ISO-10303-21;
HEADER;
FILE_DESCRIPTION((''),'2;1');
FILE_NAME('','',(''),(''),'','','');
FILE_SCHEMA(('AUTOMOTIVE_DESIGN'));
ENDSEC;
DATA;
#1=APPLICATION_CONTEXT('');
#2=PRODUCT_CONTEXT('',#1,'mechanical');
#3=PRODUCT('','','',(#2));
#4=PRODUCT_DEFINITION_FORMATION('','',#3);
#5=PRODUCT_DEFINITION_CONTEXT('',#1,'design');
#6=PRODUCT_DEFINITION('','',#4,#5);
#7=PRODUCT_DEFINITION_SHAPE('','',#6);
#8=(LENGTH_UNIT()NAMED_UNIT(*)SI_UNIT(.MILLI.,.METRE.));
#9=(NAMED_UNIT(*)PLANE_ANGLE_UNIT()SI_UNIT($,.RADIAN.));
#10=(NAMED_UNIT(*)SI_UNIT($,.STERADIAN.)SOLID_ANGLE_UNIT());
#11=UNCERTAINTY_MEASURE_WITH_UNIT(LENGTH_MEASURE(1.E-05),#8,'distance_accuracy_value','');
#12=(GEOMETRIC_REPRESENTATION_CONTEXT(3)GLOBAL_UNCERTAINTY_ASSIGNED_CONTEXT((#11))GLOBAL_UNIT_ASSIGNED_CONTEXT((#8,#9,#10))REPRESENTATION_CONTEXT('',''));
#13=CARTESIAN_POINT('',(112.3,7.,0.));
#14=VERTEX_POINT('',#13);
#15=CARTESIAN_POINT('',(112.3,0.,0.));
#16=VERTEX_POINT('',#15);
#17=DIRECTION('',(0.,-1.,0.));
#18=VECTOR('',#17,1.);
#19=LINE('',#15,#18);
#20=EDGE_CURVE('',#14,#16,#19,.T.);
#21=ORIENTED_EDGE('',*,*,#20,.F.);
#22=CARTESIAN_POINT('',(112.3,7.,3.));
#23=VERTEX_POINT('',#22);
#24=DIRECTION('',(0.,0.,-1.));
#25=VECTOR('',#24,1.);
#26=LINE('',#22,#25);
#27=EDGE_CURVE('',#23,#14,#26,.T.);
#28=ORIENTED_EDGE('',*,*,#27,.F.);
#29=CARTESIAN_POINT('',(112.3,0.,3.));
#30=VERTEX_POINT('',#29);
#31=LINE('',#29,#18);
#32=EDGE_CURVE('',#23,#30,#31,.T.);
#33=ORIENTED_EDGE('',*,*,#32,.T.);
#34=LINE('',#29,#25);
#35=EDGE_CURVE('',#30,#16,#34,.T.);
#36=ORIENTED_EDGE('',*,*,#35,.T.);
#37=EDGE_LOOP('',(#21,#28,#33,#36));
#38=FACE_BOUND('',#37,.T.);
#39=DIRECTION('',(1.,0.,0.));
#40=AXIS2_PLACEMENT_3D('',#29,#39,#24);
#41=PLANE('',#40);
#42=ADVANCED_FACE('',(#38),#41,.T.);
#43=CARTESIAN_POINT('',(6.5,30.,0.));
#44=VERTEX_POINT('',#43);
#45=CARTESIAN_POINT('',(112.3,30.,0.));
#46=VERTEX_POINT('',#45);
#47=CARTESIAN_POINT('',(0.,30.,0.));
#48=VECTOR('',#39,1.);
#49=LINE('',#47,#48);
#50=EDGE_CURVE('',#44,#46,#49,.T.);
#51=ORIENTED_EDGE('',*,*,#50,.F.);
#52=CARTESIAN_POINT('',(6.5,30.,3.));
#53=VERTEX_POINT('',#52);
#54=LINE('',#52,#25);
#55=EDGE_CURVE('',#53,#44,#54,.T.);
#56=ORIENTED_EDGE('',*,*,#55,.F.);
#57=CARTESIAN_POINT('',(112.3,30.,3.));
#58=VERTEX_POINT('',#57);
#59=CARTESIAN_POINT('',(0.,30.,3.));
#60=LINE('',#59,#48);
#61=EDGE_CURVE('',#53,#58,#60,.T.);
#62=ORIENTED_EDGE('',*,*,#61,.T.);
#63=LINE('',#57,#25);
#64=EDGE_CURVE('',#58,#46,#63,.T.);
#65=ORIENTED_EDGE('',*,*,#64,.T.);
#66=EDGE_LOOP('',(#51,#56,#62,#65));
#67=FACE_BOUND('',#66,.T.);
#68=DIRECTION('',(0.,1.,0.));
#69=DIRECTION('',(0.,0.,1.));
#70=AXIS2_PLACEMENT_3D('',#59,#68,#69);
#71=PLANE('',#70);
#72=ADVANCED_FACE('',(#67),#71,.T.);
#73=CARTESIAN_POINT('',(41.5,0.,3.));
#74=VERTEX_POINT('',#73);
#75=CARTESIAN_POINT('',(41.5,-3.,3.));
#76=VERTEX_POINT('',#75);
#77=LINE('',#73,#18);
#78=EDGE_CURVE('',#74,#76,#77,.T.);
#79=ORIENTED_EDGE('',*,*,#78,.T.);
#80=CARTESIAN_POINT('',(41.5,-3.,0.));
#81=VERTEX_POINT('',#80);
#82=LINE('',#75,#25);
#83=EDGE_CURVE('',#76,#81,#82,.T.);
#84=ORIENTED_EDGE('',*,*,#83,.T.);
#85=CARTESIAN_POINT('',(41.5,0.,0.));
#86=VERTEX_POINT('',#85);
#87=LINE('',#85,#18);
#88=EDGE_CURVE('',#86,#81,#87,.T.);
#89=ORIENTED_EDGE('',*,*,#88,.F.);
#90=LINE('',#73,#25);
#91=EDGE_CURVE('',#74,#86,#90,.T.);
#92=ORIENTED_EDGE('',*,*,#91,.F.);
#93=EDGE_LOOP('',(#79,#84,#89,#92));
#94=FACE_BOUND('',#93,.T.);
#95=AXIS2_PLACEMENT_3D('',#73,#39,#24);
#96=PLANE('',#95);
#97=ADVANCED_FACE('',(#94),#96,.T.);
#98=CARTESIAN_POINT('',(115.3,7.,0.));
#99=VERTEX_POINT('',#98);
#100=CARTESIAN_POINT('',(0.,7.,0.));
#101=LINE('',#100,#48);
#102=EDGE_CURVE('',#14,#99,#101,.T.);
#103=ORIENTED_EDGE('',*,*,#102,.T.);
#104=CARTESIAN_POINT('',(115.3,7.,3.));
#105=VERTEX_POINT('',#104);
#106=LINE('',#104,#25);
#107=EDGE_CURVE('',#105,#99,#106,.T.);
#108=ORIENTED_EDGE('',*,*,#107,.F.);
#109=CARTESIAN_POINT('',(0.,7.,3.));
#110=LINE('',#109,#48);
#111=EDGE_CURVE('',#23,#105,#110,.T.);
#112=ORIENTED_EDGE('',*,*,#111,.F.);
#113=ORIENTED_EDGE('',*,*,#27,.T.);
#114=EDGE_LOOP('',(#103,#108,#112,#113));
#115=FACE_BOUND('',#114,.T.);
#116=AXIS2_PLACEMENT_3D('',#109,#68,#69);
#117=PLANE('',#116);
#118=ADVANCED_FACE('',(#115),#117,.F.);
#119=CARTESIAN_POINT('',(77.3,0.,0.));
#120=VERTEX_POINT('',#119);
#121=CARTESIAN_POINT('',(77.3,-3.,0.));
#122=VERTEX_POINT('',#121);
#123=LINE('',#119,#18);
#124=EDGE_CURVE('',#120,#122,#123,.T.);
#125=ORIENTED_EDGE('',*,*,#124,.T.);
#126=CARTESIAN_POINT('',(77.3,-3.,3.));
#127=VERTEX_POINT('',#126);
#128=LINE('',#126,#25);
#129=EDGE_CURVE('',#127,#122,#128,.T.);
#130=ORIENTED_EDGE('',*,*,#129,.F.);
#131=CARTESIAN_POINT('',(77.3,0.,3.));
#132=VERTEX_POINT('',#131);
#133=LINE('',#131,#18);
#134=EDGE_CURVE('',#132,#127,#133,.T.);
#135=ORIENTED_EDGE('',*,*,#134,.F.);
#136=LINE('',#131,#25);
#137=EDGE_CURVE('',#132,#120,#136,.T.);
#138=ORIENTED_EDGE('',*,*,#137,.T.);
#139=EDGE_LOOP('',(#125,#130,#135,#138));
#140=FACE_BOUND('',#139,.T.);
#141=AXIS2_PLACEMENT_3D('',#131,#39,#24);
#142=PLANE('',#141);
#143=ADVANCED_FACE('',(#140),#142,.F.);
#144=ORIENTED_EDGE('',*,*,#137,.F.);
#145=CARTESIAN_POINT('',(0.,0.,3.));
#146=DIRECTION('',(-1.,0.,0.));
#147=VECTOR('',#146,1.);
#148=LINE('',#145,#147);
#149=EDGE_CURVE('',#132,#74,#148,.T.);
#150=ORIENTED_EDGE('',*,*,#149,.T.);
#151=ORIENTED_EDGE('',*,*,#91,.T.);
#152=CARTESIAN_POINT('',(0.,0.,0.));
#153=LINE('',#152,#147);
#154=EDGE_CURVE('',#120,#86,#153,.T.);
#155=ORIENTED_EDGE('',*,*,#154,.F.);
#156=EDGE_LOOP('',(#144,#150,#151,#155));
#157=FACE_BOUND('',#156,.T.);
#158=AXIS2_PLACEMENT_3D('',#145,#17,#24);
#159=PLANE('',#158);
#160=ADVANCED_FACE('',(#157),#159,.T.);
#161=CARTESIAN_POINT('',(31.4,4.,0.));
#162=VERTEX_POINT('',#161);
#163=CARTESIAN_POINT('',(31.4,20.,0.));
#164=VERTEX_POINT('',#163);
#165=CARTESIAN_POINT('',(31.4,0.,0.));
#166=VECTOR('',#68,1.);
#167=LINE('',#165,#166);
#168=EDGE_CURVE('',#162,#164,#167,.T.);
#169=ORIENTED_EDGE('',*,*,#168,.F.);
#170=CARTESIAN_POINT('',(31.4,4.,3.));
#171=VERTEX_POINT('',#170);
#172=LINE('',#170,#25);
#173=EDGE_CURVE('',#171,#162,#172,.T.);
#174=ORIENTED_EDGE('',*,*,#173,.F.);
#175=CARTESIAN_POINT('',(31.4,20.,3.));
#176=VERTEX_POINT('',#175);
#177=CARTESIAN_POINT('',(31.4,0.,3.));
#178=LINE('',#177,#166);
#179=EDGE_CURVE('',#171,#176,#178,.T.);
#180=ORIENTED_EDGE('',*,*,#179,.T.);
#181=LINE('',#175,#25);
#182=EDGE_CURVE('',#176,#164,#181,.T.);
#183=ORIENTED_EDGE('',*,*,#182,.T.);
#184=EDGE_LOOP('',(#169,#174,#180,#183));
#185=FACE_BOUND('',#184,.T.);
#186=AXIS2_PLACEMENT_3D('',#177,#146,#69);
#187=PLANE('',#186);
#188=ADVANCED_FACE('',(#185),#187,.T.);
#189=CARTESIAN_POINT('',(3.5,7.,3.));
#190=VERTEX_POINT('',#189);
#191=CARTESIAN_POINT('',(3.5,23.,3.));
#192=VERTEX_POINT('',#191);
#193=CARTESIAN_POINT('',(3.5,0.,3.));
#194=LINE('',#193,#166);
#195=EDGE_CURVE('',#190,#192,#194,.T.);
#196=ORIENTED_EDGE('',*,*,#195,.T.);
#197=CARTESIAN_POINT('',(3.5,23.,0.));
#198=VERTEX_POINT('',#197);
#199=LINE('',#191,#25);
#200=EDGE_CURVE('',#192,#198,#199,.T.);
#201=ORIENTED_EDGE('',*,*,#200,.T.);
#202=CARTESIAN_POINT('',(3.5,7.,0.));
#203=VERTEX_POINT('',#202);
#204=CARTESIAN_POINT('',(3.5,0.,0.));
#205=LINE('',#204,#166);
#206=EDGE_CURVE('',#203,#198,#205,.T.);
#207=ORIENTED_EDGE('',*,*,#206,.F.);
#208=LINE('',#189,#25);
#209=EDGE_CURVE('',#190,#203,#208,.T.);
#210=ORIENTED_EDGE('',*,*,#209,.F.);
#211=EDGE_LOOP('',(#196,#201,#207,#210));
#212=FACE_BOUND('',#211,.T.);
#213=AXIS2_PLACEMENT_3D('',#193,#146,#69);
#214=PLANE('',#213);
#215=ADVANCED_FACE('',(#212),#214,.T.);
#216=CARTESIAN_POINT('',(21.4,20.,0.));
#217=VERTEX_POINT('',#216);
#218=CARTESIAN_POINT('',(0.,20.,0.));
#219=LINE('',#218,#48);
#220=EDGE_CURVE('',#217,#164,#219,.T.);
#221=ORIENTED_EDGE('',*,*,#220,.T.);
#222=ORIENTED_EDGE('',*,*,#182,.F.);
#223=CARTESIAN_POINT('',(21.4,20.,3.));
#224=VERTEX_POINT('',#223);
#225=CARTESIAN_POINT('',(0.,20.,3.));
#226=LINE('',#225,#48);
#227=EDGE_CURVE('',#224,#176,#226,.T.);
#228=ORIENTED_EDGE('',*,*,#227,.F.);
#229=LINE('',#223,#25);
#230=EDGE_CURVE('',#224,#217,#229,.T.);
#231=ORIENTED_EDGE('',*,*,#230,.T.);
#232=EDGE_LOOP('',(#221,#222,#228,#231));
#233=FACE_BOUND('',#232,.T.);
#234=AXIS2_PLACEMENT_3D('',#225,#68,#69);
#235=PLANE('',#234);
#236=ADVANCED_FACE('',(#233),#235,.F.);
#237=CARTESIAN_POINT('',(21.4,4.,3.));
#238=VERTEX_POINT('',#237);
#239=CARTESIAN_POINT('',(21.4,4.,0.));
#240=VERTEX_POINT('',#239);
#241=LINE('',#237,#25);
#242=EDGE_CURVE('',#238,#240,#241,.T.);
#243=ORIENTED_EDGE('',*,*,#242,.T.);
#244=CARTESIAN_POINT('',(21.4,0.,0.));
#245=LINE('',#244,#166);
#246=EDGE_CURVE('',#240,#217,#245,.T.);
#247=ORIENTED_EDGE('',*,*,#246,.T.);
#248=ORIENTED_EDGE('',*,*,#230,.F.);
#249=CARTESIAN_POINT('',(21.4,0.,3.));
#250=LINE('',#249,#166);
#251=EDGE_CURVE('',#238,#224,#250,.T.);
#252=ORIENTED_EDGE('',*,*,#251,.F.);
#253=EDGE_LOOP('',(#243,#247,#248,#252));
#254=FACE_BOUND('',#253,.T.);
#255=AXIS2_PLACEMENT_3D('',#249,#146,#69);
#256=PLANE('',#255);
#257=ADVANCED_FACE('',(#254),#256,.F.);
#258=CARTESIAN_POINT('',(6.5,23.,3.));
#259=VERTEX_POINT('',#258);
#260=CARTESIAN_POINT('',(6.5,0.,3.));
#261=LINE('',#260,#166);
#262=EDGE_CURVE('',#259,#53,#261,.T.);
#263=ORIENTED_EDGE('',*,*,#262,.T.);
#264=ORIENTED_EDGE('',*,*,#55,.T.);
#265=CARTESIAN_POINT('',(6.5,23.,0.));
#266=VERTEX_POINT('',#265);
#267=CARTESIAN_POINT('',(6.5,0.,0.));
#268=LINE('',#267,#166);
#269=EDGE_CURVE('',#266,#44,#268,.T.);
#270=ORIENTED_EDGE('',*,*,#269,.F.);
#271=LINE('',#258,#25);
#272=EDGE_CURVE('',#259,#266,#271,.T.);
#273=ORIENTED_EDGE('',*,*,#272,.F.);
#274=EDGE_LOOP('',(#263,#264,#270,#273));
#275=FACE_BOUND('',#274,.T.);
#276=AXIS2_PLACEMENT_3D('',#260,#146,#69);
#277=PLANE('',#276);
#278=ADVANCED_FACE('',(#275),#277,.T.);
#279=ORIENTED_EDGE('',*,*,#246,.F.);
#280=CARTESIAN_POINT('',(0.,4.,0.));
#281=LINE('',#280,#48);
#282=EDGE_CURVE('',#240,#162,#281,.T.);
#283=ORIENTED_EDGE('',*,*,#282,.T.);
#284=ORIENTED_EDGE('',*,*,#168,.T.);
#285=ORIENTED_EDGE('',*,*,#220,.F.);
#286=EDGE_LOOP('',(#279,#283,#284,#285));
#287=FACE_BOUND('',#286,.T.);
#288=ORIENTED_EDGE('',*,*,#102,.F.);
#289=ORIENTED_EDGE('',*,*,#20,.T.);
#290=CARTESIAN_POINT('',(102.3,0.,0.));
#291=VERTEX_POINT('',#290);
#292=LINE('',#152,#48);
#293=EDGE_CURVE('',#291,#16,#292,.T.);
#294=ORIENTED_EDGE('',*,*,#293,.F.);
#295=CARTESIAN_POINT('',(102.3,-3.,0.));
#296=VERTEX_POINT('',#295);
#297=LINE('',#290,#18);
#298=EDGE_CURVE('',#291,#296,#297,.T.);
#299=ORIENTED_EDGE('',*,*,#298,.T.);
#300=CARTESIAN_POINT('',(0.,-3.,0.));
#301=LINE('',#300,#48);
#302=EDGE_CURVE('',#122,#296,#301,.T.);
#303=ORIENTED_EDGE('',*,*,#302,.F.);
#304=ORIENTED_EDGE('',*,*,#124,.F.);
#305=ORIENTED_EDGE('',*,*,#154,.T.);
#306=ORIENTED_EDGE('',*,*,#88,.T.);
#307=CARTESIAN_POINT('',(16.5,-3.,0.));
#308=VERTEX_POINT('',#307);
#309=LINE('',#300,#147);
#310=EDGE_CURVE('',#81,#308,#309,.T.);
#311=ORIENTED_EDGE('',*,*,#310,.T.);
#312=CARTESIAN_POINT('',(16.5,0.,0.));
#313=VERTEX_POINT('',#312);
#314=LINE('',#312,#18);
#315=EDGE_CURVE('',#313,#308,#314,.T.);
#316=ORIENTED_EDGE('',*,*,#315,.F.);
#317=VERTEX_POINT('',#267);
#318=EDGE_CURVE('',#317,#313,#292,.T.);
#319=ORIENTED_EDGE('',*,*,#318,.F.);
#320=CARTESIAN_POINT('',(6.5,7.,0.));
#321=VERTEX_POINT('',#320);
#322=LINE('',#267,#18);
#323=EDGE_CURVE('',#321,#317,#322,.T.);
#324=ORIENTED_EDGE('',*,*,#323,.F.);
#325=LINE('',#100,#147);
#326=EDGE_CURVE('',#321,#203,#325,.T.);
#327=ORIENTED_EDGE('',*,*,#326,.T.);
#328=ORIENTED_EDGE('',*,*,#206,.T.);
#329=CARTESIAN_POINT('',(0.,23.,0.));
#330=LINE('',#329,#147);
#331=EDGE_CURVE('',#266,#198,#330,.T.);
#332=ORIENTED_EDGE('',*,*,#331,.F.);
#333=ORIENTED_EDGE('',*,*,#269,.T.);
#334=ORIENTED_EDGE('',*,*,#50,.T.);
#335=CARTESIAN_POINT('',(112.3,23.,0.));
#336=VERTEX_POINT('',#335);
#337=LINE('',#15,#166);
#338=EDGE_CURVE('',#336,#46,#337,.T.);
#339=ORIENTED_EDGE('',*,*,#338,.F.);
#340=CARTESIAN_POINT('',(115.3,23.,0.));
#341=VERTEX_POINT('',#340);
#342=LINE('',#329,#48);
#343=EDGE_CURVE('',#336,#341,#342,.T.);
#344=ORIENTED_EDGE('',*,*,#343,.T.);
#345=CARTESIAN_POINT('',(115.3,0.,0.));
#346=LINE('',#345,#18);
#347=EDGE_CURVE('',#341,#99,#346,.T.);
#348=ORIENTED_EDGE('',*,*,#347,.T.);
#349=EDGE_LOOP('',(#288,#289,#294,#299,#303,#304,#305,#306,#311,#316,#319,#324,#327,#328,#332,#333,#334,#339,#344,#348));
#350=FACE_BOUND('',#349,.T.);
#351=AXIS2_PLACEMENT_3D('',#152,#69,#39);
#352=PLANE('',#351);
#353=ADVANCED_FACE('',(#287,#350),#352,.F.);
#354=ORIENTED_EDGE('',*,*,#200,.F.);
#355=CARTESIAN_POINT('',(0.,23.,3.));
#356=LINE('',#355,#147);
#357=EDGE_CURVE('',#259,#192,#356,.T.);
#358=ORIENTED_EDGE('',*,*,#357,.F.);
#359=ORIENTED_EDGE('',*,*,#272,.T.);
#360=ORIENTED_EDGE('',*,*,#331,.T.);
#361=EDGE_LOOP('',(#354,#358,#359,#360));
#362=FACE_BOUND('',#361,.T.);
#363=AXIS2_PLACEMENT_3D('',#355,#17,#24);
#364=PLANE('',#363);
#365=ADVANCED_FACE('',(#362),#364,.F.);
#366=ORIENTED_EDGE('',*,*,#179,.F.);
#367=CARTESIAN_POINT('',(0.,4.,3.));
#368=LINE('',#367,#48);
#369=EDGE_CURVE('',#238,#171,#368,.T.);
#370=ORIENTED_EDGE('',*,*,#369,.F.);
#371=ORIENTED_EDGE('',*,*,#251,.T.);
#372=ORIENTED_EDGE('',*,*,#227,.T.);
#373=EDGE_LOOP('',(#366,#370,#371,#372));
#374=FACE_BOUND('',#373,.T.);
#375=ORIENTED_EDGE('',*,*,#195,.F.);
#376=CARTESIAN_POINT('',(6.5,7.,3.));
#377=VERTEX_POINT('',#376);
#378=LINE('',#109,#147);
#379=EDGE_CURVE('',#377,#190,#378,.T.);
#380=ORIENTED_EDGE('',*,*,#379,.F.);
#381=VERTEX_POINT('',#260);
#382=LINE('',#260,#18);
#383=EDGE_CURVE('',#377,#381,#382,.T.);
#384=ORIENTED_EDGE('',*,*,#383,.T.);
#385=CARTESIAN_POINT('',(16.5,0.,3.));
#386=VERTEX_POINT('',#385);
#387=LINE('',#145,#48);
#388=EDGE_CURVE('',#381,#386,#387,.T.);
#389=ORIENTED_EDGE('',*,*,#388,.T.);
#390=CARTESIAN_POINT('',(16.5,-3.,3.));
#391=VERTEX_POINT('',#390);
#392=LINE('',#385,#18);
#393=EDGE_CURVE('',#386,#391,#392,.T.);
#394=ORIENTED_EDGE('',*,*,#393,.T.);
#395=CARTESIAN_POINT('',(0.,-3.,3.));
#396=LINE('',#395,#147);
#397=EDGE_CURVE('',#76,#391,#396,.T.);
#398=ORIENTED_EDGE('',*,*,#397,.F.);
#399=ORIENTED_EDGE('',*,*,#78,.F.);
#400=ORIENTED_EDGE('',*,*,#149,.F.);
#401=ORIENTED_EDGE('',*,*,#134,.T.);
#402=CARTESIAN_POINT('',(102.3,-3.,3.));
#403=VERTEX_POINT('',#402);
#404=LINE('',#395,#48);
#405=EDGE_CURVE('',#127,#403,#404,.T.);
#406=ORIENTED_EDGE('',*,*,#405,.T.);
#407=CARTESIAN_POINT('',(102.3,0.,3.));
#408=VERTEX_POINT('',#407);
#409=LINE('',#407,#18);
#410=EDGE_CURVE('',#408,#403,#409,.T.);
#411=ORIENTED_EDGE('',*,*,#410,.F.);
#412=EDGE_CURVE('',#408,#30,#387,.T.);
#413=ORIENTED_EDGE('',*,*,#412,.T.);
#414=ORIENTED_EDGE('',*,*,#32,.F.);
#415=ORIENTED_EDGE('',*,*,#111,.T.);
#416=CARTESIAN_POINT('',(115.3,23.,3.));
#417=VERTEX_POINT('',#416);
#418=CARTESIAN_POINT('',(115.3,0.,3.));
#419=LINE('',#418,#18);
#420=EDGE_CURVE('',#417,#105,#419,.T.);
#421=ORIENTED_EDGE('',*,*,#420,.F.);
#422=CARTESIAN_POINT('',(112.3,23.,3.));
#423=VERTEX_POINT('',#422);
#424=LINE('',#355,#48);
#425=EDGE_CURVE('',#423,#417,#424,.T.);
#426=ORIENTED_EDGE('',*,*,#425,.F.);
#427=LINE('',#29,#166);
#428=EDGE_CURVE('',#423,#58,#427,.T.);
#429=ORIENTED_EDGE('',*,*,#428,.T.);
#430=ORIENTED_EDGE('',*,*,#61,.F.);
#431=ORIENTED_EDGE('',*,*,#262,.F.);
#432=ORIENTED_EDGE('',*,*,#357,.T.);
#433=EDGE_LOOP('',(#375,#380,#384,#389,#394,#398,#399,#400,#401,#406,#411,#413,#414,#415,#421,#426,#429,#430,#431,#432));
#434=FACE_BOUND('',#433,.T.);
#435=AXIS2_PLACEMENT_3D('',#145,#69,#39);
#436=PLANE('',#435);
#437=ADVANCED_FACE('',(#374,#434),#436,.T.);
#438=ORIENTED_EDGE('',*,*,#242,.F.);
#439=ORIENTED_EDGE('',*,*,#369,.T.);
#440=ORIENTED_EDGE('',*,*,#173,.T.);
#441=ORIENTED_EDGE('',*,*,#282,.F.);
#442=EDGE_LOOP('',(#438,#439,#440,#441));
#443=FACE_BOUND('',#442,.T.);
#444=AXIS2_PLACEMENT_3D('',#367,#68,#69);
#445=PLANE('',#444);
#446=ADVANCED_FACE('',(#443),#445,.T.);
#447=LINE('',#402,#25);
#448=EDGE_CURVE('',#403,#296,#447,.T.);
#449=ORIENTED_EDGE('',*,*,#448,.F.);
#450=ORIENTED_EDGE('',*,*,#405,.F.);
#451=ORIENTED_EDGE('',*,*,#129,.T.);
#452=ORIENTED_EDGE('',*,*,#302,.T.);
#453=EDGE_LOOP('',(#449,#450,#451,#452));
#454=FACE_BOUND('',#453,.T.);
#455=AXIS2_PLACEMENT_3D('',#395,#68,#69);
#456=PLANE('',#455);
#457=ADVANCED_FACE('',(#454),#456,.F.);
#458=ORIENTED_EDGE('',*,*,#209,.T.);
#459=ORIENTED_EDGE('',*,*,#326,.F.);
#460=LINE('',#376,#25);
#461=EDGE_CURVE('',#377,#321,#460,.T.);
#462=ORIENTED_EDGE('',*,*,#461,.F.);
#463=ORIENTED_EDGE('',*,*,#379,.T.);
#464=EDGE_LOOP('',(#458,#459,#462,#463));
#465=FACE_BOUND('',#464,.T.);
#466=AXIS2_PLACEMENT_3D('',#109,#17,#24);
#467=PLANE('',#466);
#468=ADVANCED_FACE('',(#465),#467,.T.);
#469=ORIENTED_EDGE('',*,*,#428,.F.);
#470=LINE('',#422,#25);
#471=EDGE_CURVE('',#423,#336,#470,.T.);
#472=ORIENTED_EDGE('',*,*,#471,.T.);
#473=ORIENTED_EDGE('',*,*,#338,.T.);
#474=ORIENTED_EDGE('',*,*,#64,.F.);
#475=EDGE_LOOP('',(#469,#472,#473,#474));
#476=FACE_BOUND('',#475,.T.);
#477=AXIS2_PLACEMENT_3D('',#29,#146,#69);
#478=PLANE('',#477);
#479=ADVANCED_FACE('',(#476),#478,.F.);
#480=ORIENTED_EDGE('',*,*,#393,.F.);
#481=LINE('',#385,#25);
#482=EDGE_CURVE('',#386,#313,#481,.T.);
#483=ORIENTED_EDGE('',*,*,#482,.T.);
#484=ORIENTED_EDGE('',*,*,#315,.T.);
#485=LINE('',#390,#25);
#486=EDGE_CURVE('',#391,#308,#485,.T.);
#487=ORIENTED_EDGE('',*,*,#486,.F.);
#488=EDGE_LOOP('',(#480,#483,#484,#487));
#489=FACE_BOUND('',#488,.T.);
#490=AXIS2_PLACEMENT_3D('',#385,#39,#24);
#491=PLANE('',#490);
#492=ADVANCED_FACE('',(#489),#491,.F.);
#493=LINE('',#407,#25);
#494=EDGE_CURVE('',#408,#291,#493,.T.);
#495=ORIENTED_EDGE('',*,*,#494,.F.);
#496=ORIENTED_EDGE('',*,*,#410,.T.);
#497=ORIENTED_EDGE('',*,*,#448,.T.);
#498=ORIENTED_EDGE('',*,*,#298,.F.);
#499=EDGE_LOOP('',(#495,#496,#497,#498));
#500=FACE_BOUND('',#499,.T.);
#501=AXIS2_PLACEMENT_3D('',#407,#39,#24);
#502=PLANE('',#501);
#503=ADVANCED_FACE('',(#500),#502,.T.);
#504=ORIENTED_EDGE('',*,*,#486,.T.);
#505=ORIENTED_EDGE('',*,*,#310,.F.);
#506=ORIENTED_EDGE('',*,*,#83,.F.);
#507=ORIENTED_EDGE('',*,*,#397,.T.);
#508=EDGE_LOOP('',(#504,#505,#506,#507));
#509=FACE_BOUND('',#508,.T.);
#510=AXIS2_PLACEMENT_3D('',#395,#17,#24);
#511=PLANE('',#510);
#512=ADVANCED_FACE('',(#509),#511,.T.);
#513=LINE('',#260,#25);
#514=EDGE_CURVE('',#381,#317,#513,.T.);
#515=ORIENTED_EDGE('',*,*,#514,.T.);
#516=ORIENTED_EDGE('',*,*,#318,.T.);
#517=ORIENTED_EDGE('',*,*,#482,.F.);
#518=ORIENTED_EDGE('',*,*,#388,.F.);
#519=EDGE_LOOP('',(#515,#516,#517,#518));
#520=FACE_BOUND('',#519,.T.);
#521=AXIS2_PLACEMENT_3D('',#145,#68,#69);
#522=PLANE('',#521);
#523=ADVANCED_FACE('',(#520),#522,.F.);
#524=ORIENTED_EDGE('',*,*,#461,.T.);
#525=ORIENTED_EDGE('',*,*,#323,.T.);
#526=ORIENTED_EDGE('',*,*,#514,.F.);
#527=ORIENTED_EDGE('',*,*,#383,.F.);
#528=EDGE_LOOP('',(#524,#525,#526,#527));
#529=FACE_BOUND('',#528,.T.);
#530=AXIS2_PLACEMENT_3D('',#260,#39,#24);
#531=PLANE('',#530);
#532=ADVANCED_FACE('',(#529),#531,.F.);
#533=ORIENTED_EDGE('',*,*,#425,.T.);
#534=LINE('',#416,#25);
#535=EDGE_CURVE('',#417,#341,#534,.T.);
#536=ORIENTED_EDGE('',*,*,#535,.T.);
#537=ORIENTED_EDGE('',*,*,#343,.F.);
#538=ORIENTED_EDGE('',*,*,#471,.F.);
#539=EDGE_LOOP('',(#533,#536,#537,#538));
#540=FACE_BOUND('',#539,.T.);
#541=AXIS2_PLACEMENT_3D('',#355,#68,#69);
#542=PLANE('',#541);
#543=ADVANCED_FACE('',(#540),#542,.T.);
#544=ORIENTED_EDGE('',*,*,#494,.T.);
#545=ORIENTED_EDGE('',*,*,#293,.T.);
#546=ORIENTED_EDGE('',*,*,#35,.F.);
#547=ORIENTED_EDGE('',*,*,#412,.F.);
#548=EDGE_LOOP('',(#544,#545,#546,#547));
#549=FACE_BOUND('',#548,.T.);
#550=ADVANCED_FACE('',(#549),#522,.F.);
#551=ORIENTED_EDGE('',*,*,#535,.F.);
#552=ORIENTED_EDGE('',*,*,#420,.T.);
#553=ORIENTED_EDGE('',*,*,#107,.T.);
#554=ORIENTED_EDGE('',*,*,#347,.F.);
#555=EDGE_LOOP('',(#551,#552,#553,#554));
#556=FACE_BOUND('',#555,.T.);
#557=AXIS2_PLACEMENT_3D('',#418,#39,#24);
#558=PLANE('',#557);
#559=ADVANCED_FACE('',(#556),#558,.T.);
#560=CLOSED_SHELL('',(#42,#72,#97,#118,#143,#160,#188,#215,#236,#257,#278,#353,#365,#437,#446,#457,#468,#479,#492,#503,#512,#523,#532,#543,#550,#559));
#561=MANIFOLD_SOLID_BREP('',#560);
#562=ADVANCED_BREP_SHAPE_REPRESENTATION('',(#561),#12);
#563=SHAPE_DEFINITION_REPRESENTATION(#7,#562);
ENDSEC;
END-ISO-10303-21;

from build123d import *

# Parameters (mm, degrees)
EXTRUDE_1_DEPTH = 3


with BuildPart() as part:
    # 草图2 → 凸台-拉伸1 (new body)
    with BuildSketch(Plane.XY):
        Polygon((41.5, 0), (59.4, 0), (77.3, 0), (77.3, -3), (102.3, -3), (102.3, 0), (112.3, 0), (112.3, 7), (115.3, 7), (115.3, 23), (112.3, 23), (112.3, 30), (6.5, 30), (6.5, 23), (3.5, 23), (3.5, 7), (6.5, 7), (6.5, 0), (16.5, 0), (16.5, -3), (41.5, -3), align=None)
        Polygon((26.4, 4), (21.4, 4), (21.4, 20), (26.4, 20), (31.4, 20), (31.4, 4), align=None, mode=Mode.SUBTRACT)
    extrude(amount=EXTRUDE_1_DEPTH)


solid = part.part
